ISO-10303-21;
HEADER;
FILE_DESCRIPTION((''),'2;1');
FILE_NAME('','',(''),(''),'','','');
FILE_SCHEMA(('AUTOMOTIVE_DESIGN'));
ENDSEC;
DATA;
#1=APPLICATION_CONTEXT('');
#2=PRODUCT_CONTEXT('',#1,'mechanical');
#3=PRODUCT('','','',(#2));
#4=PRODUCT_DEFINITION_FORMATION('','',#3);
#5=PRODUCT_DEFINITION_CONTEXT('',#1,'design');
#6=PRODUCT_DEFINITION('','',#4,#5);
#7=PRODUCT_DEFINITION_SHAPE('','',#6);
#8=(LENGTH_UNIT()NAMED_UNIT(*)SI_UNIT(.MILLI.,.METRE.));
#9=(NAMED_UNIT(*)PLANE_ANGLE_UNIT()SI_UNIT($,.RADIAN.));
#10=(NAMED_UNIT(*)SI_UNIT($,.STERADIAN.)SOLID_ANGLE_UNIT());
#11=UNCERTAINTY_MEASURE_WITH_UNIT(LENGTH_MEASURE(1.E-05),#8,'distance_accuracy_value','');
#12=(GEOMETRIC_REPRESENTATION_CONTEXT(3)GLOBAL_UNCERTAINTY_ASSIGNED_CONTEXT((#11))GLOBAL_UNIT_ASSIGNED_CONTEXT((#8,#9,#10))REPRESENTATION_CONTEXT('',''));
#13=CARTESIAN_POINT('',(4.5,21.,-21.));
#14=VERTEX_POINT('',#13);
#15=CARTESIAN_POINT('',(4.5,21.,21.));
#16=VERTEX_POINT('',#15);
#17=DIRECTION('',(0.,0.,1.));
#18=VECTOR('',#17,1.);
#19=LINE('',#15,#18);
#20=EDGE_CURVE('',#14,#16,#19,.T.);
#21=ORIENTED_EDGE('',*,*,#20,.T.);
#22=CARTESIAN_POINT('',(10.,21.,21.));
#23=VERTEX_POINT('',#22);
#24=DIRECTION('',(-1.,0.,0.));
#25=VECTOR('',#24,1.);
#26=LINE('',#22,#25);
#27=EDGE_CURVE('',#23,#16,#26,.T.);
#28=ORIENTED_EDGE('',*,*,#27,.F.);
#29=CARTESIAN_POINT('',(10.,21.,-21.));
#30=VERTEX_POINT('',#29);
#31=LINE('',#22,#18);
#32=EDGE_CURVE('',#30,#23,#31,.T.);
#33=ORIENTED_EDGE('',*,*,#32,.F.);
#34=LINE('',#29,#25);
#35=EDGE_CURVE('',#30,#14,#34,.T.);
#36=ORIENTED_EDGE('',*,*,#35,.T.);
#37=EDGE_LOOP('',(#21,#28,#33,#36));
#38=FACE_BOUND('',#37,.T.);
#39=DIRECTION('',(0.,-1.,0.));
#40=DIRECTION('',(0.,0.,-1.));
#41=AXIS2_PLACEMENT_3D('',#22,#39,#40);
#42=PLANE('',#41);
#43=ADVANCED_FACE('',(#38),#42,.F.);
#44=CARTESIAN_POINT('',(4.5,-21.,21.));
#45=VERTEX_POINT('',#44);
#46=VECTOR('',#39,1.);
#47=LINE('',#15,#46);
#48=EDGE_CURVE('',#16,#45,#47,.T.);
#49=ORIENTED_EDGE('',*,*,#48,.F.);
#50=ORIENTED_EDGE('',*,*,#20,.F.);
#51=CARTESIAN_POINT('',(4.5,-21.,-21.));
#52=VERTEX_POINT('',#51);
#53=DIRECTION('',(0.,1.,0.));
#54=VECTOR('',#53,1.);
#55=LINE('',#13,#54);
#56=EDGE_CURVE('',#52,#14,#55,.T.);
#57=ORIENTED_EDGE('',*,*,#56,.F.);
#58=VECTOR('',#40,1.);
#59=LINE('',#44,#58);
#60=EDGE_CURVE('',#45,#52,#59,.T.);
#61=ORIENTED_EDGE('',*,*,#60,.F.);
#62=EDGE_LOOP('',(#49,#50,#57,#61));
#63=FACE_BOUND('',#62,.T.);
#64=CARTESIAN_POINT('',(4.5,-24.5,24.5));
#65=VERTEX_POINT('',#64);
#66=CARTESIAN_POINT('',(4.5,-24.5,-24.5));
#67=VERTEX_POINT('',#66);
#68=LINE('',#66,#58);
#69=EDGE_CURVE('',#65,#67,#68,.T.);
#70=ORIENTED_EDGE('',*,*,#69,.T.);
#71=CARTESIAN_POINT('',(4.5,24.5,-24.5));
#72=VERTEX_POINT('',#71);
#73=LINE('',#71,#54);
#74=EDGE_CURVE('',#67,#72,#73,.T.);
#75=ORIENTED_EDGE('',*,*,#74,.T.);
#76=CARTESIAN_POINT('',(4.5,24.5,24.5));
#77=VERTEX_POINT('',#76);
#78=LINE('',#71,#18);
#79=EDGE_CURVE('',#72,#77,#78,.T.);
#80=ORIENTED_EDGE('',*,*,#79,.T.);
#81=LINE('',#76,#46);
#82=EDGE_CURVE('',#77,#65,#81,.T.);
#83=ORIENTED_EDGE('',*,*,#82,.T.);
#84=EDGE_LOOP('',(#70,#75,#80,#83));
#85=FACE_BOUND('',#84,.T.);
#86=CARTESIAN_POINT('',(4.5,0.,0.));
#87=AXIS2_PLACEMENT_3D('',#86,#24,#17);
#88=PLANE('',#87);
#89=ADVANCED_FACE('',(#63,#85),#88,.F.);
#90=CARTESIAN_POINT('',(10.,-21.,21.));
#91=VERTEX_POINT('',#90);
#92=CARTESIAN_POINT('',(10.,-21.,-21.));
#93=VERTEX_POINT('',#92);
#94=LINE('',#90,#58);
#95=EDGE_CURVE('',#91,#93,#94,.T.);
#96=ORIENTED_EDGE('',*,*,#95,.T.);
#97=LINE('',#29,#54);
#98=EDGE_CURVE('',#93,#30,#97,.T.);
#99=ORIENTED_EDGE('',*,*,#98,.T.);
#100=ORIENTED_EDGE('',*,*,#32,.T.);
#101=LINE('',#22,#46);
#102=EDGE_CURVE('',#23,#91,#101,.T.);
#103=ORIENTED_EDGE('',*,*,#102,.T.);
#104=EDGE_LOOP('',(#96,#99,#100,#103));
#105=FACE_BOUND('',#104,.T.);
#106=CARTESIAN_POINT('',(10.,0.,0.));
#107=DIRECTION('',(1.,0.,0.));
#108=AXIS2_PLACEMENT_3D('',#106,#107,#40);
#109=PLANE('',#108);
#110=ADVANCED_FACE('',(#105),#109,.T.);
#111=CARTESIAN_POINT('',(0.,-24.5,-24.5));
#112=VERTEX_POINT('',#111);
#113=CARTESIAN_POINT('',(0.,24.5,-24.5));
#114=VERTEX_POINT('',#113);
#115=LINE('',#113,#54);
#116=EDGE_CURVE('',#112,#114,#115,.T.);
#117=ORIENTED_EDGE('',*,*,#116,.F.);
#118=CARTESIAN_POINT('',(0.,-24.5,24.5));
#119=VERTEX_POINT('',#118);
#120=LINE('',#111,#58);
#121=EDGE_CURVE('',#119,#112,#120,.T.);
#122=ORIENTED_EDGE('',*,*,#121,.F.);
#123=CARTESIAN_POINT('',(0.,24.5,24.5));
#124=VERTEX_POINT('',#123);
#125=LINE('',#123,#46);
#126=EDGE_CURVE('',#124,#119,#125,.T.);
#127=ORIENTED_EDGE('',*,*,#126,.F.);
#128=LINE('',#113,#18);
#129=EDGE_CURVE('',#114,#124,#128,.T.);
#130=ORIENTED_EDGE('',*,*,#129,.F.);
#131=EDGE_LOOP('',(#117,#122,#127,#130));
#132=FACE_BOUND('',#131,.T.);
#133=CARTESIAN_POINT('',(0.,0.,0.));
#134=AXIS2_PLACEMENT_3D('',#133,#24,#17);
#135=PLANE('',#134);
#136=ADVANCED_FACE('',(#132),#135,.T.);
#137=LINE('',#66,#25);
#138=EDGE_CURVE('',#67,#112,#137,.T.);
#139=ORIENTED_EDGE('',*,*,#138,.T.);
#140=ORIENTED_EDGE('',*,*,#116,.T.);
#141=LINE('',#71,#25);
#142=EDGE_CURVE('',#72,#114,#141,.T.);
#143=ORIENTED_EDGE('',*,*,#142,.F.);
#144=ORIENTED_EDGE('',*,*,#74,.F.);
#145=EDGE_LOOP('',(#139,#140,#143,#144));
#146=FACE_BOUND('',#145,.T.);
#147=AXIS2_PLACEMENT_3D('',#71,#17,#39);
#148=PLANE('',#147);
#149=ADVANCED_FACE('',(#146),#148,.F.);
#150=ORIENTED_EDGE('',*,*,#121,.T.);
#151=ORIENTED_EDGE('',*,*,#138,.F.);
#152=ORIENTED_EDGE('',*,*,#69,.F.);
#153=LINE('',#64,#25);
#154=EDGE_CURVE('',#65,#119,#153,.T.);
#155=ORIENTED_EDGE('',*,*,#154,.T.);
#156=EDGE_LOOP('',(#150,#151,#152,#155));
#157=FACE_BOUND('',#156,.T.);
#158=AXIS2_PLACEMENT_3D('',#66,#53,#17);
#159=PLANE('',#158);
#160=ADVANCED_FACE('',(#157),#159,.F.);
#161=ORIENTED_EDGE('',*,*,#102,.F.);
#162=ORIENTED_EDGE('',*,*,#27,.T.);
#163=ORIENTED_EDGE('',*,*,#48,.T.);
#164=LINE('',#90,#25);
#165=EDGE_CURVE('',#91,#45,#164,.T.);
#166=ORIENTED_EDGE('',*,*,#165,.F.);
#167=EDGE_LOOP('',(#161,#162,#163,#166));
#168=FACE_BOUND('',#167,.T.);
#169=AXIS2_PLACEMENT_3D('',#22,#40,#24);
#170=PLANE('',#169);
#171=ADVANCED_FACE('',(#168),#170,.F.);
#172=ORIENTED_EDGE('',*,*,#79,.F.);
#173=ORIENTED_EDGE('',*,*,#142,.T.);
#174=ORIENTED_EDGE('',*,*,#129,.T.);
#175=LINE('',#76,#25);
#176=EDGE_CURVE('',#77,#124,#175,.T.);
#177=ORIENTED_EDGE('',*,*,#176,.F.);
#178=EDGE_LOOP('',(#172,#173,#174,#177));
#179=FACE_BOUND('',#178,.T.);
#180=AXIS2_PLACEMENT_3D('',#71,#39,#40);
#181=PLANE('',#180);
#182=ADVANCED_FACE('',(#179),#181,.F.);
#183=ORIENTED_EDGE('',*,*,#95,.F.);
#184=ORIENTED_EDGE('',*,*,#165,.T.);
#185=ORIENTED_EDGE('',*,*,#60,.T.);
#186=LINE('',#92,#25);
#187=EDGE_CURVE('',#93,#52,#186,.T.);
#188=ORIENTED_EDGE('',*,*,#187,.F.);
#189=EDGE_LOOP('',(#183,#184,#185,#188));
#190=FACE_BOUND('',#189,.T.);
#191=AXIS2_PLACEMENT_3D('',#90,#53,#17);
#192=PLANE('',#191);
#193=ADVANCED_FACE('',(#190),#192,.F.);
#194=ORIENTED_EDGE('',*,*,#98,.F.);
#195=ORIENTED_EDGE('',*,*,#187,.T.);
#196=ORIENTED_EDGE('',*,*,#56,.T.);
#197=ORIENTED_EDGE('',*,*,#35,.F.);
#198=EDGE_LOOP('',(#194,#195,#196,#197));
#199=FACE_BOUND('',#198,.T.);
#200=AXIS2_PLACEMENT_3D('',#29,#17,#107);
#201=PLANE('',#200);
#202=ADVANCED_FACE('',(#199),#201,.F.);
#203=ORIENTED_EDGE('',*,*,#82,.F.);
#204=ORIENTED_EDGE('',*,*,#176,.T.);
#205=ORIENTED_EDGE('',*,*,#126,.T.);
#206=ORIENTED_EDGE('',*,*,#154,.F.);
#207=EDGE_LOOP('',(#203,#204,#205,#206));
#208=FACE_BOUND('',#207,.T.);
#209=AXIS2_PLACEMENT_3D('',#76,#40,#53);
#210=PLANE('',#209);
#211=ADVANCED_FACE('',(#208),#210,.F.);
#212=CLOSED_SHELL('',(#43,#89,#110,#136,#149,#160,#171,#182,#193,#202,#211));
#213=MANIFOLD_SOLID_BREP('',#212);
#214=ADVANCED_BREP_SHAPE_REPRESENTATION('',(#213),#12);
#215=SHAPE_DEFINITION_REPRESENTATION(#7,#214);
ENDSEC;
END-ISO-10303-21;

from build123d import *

# Parameters (mm, degrees)
SKETCH1_W           = 49
SKETCH1_H           = 49
BOSS_EXTRUDE1_DEPTH = 4.5
SKETCH3_W           = 42
SKETCH3_H           = 42
BOSS_EXTRUDE3_DEPTH = 5.5


with BuildPart() as part:
    # Sketch1 → Boss-Extrude1 (new body)
    with BuildSketch(Plane(origin=(0, 0, 0), x_dir=(0, 0, -1), z_dir=(1, 0, 0))):
        Rectangle(SKETCH1_W, SKETCH1_H)
    extrude(amount=BOSS_EXTRUDE1_DEPTH)

    # Sketch3 → Boss-Extrude3 (add)
    with BuildSketch(Plane(origin=(4.5, 0, 0), x_dir=(0, 0, -1), z_dir=(1, 0, 0))):
        Rectangle(SKETCH3_W, SKETCH3_H)
    extrude(amount=BOSS_EXTRUDE3_DEPTH)


solid = part.part
